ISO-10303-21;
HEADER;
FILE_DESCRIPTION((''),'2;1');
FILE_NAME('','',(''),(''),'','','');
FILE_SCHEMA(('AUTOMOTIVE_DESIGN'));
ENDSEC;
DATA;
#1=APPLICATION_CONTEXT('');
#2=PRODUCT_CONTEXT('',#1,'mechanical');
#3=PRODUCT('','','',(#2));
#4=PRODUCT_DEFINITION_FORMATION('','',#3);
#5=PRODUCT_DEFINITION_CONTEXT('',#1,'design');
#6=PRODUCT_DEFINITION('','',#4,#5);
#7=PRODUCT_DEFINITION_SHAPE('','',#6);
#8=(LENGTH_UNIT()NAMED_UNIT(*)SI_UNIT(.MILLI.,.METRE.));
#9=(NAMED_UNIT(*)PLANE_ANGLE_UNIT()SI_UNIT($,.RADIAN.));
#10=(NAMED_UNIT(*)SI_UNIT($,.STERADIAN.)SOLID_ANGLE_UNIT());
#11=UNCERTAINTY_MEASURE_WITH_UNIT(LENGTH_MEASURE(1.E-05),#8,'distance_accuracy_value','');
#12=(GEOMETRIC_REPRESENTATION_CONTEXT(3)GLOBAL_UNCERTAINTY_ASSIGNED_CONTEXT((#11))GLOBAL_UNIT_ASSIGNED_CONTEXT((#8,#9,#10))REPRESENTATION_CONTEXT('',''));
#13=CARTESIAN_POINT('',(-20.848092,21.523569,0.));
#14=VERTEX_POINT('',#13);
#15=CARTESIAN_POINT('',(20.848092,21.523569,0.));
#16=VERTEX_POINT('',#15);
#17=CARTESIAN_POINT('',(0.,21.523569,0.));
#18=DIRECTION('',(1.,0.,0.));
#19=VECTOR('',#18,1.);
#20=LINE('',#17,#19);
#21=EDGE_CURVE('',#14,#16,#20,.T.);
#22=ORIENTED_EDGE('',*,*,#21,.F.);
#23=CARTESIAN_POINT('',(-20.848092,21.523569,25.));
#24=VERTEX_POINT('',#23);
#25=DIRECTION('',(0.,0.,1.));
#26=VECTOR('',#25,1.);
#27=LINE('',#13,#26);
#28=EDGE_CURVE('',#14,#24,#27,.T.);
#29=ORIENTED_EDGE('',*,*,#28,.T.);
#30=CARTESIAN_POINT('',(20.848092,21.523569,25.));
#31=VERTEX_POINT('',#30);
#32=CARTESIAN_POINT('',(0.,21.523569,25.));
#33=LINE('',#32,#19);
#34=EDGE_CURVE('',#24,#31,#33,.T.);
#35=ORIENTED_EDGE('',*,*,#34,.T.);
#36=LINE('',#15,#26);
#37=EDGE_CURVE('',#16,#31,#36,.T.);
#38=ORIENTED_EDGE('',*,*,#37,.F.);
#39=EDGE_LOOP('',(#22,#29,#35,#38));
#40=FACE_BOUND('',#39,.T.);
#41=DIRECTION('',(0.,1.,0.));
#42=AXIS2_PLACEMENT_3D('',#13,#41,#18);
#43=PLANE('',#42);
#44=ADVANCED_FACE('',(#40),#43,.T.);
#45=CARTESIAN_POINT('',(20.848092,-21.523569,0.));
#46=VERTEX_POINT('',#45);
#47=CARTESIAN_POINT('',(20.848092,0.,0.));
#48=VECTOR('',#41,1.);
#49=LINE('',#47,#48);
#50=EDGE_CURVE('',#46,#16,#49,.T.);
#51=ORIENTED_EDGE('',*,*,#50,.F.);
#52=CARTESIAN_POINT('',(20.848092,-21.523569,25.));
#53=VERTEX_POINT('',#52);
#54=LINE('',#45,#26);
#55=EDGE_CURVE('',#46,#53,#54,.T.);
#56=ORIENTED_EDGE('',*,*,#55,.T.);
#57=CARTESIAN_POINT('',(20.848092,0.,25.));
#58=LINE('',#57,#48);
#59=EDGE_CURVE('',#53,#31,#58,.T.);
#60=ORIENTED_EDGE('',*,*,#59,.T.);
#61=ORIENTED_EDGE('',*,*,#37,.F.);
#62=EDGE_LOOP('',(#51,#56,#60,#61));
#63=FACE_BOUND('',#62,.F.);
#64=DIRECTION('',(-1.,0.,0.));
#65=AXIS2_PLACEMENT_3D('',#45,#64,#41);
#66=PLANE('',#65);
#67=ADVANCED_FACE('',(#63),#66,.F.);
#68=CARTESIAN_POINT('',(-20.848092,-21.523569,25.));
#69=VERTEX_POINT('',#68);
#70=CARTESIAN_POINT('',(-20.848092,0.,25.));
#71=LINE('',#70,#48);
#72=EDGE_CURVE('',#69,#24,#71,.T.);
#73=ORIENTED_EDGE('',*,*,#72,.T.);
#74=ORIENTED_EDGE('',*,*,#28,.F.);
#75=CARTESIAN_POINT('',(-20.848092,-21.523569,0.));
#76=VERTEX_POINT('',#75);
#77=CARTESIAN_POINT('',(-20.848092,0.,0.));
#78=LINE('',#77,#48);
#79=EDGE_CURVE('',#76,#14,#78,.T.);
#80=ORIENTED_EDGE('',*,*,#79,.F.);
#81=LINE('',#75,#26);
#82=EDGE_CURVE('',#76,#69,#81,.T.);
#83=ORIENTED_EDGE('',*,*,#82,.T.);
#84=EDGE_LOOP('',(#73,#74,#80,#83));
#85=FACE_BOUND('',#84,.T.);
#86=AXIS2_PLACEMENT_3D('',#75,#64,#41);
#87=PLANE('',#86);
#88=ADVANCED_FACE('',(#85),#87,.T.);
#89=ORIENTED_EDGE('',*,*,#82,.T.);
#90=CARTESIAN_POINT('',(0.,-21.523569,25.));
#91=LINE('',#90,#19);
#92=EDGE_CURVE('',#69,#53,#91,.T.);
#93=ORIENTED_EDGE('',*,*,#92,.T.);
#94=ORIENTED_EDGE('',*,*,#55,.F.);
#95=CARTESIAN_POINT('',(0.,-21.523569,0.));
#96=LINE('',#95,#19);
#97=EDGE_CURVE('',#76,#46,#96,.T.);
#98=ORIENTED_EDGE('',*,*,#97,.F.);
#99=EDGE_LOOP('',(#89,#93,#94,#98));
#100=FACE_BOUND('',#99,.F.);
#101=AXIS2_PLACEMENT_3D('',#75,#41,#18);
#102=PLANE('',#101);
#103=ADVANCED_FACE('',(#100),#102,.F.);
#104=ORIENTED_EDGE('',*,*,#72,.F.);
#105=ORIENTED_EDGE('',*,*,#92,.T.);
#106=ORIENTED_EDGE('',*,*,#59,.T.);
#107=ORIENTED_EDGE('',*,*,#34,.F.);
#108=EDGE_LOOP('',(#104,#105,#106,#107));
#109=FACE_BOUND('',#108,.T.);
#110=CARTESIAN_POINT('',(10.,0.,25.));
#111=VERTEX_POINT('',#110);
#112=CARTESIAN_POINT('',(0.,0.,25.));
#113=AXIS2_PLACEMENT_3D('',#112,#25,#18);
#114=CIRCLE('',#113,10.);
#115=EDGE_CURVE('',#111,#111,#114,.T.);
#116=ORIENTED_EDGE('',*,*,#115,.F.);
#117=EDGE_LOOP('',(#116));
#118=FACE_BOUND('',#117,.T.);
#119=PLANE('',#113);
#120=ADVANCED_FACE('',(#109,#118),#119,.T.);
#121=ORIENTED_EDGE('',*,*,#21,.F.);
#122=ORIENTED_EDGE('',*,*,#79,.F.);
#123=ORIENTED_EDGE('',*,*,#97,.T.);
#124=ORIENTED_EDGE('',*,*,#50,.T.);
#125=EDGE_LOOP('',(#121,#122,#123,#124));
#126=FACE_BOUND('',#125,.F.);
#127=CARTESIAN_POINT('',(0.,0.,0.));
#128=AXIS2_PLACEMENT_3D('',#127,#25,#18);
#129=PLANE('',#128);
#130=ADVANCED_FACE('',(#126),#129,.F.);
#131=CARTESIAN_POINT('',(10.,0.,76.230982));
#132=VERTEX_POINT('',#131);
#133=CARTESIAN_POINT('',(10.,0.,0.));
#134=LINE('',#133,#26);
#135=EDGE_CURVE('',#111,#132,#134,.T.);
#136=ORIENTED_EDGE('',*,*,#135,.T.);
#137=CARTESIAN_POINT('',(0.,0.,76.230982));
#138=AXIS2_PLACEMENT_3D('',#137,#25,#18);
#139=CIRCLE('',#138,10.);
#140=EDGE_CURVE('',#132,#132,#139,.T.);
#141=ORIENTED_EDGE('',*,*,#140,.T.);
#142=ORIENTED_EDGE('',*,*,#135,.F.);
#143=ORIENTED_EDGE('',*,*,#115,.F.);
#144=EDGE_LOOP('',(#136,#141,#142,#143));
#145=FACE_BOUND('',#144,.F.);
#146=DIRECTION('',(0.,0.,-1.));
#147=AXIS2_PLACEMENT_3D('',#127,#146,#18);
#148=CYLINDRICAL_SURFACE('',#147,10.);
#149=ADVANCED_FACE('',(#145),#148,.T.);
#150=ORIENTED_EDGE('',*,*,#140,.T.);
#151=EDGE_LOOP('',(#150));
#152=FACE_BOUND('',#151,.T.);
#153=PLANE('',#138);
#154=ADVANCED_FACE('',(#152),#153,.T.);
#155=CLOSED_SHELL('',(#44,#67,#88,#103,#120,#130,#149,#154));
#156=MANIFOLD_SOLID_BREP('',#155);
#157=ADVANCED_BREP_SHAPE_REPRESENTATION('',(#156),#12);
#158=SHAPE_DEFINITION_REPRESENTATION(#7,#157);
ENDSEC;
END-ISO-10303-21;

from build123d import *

# Parameters (mm, degrees)
F0_R     = 10
F1_DEPTH = 76.230982
F2_W     = 41.696184
F2_H     = 43.047138
F2_R     = 10
F3_DEPTH = 25


with BuildPart() as f1:
    # F0 (on Top) → F1 (new body)
    with BuildSketch(Plane.XY):
        Circle(F0_R)
    extrude(amount=F1_DEPTH)

    # F2 (on face) → F3 (join)
    with BuildSketch(Plane.XY):
        Rectangle(F2_W, F2_H)
        Circle(F2_R, mode=Mode.SUBTRACT)
    extrude(amount=F3_DEPTH)


solid = f1.part
